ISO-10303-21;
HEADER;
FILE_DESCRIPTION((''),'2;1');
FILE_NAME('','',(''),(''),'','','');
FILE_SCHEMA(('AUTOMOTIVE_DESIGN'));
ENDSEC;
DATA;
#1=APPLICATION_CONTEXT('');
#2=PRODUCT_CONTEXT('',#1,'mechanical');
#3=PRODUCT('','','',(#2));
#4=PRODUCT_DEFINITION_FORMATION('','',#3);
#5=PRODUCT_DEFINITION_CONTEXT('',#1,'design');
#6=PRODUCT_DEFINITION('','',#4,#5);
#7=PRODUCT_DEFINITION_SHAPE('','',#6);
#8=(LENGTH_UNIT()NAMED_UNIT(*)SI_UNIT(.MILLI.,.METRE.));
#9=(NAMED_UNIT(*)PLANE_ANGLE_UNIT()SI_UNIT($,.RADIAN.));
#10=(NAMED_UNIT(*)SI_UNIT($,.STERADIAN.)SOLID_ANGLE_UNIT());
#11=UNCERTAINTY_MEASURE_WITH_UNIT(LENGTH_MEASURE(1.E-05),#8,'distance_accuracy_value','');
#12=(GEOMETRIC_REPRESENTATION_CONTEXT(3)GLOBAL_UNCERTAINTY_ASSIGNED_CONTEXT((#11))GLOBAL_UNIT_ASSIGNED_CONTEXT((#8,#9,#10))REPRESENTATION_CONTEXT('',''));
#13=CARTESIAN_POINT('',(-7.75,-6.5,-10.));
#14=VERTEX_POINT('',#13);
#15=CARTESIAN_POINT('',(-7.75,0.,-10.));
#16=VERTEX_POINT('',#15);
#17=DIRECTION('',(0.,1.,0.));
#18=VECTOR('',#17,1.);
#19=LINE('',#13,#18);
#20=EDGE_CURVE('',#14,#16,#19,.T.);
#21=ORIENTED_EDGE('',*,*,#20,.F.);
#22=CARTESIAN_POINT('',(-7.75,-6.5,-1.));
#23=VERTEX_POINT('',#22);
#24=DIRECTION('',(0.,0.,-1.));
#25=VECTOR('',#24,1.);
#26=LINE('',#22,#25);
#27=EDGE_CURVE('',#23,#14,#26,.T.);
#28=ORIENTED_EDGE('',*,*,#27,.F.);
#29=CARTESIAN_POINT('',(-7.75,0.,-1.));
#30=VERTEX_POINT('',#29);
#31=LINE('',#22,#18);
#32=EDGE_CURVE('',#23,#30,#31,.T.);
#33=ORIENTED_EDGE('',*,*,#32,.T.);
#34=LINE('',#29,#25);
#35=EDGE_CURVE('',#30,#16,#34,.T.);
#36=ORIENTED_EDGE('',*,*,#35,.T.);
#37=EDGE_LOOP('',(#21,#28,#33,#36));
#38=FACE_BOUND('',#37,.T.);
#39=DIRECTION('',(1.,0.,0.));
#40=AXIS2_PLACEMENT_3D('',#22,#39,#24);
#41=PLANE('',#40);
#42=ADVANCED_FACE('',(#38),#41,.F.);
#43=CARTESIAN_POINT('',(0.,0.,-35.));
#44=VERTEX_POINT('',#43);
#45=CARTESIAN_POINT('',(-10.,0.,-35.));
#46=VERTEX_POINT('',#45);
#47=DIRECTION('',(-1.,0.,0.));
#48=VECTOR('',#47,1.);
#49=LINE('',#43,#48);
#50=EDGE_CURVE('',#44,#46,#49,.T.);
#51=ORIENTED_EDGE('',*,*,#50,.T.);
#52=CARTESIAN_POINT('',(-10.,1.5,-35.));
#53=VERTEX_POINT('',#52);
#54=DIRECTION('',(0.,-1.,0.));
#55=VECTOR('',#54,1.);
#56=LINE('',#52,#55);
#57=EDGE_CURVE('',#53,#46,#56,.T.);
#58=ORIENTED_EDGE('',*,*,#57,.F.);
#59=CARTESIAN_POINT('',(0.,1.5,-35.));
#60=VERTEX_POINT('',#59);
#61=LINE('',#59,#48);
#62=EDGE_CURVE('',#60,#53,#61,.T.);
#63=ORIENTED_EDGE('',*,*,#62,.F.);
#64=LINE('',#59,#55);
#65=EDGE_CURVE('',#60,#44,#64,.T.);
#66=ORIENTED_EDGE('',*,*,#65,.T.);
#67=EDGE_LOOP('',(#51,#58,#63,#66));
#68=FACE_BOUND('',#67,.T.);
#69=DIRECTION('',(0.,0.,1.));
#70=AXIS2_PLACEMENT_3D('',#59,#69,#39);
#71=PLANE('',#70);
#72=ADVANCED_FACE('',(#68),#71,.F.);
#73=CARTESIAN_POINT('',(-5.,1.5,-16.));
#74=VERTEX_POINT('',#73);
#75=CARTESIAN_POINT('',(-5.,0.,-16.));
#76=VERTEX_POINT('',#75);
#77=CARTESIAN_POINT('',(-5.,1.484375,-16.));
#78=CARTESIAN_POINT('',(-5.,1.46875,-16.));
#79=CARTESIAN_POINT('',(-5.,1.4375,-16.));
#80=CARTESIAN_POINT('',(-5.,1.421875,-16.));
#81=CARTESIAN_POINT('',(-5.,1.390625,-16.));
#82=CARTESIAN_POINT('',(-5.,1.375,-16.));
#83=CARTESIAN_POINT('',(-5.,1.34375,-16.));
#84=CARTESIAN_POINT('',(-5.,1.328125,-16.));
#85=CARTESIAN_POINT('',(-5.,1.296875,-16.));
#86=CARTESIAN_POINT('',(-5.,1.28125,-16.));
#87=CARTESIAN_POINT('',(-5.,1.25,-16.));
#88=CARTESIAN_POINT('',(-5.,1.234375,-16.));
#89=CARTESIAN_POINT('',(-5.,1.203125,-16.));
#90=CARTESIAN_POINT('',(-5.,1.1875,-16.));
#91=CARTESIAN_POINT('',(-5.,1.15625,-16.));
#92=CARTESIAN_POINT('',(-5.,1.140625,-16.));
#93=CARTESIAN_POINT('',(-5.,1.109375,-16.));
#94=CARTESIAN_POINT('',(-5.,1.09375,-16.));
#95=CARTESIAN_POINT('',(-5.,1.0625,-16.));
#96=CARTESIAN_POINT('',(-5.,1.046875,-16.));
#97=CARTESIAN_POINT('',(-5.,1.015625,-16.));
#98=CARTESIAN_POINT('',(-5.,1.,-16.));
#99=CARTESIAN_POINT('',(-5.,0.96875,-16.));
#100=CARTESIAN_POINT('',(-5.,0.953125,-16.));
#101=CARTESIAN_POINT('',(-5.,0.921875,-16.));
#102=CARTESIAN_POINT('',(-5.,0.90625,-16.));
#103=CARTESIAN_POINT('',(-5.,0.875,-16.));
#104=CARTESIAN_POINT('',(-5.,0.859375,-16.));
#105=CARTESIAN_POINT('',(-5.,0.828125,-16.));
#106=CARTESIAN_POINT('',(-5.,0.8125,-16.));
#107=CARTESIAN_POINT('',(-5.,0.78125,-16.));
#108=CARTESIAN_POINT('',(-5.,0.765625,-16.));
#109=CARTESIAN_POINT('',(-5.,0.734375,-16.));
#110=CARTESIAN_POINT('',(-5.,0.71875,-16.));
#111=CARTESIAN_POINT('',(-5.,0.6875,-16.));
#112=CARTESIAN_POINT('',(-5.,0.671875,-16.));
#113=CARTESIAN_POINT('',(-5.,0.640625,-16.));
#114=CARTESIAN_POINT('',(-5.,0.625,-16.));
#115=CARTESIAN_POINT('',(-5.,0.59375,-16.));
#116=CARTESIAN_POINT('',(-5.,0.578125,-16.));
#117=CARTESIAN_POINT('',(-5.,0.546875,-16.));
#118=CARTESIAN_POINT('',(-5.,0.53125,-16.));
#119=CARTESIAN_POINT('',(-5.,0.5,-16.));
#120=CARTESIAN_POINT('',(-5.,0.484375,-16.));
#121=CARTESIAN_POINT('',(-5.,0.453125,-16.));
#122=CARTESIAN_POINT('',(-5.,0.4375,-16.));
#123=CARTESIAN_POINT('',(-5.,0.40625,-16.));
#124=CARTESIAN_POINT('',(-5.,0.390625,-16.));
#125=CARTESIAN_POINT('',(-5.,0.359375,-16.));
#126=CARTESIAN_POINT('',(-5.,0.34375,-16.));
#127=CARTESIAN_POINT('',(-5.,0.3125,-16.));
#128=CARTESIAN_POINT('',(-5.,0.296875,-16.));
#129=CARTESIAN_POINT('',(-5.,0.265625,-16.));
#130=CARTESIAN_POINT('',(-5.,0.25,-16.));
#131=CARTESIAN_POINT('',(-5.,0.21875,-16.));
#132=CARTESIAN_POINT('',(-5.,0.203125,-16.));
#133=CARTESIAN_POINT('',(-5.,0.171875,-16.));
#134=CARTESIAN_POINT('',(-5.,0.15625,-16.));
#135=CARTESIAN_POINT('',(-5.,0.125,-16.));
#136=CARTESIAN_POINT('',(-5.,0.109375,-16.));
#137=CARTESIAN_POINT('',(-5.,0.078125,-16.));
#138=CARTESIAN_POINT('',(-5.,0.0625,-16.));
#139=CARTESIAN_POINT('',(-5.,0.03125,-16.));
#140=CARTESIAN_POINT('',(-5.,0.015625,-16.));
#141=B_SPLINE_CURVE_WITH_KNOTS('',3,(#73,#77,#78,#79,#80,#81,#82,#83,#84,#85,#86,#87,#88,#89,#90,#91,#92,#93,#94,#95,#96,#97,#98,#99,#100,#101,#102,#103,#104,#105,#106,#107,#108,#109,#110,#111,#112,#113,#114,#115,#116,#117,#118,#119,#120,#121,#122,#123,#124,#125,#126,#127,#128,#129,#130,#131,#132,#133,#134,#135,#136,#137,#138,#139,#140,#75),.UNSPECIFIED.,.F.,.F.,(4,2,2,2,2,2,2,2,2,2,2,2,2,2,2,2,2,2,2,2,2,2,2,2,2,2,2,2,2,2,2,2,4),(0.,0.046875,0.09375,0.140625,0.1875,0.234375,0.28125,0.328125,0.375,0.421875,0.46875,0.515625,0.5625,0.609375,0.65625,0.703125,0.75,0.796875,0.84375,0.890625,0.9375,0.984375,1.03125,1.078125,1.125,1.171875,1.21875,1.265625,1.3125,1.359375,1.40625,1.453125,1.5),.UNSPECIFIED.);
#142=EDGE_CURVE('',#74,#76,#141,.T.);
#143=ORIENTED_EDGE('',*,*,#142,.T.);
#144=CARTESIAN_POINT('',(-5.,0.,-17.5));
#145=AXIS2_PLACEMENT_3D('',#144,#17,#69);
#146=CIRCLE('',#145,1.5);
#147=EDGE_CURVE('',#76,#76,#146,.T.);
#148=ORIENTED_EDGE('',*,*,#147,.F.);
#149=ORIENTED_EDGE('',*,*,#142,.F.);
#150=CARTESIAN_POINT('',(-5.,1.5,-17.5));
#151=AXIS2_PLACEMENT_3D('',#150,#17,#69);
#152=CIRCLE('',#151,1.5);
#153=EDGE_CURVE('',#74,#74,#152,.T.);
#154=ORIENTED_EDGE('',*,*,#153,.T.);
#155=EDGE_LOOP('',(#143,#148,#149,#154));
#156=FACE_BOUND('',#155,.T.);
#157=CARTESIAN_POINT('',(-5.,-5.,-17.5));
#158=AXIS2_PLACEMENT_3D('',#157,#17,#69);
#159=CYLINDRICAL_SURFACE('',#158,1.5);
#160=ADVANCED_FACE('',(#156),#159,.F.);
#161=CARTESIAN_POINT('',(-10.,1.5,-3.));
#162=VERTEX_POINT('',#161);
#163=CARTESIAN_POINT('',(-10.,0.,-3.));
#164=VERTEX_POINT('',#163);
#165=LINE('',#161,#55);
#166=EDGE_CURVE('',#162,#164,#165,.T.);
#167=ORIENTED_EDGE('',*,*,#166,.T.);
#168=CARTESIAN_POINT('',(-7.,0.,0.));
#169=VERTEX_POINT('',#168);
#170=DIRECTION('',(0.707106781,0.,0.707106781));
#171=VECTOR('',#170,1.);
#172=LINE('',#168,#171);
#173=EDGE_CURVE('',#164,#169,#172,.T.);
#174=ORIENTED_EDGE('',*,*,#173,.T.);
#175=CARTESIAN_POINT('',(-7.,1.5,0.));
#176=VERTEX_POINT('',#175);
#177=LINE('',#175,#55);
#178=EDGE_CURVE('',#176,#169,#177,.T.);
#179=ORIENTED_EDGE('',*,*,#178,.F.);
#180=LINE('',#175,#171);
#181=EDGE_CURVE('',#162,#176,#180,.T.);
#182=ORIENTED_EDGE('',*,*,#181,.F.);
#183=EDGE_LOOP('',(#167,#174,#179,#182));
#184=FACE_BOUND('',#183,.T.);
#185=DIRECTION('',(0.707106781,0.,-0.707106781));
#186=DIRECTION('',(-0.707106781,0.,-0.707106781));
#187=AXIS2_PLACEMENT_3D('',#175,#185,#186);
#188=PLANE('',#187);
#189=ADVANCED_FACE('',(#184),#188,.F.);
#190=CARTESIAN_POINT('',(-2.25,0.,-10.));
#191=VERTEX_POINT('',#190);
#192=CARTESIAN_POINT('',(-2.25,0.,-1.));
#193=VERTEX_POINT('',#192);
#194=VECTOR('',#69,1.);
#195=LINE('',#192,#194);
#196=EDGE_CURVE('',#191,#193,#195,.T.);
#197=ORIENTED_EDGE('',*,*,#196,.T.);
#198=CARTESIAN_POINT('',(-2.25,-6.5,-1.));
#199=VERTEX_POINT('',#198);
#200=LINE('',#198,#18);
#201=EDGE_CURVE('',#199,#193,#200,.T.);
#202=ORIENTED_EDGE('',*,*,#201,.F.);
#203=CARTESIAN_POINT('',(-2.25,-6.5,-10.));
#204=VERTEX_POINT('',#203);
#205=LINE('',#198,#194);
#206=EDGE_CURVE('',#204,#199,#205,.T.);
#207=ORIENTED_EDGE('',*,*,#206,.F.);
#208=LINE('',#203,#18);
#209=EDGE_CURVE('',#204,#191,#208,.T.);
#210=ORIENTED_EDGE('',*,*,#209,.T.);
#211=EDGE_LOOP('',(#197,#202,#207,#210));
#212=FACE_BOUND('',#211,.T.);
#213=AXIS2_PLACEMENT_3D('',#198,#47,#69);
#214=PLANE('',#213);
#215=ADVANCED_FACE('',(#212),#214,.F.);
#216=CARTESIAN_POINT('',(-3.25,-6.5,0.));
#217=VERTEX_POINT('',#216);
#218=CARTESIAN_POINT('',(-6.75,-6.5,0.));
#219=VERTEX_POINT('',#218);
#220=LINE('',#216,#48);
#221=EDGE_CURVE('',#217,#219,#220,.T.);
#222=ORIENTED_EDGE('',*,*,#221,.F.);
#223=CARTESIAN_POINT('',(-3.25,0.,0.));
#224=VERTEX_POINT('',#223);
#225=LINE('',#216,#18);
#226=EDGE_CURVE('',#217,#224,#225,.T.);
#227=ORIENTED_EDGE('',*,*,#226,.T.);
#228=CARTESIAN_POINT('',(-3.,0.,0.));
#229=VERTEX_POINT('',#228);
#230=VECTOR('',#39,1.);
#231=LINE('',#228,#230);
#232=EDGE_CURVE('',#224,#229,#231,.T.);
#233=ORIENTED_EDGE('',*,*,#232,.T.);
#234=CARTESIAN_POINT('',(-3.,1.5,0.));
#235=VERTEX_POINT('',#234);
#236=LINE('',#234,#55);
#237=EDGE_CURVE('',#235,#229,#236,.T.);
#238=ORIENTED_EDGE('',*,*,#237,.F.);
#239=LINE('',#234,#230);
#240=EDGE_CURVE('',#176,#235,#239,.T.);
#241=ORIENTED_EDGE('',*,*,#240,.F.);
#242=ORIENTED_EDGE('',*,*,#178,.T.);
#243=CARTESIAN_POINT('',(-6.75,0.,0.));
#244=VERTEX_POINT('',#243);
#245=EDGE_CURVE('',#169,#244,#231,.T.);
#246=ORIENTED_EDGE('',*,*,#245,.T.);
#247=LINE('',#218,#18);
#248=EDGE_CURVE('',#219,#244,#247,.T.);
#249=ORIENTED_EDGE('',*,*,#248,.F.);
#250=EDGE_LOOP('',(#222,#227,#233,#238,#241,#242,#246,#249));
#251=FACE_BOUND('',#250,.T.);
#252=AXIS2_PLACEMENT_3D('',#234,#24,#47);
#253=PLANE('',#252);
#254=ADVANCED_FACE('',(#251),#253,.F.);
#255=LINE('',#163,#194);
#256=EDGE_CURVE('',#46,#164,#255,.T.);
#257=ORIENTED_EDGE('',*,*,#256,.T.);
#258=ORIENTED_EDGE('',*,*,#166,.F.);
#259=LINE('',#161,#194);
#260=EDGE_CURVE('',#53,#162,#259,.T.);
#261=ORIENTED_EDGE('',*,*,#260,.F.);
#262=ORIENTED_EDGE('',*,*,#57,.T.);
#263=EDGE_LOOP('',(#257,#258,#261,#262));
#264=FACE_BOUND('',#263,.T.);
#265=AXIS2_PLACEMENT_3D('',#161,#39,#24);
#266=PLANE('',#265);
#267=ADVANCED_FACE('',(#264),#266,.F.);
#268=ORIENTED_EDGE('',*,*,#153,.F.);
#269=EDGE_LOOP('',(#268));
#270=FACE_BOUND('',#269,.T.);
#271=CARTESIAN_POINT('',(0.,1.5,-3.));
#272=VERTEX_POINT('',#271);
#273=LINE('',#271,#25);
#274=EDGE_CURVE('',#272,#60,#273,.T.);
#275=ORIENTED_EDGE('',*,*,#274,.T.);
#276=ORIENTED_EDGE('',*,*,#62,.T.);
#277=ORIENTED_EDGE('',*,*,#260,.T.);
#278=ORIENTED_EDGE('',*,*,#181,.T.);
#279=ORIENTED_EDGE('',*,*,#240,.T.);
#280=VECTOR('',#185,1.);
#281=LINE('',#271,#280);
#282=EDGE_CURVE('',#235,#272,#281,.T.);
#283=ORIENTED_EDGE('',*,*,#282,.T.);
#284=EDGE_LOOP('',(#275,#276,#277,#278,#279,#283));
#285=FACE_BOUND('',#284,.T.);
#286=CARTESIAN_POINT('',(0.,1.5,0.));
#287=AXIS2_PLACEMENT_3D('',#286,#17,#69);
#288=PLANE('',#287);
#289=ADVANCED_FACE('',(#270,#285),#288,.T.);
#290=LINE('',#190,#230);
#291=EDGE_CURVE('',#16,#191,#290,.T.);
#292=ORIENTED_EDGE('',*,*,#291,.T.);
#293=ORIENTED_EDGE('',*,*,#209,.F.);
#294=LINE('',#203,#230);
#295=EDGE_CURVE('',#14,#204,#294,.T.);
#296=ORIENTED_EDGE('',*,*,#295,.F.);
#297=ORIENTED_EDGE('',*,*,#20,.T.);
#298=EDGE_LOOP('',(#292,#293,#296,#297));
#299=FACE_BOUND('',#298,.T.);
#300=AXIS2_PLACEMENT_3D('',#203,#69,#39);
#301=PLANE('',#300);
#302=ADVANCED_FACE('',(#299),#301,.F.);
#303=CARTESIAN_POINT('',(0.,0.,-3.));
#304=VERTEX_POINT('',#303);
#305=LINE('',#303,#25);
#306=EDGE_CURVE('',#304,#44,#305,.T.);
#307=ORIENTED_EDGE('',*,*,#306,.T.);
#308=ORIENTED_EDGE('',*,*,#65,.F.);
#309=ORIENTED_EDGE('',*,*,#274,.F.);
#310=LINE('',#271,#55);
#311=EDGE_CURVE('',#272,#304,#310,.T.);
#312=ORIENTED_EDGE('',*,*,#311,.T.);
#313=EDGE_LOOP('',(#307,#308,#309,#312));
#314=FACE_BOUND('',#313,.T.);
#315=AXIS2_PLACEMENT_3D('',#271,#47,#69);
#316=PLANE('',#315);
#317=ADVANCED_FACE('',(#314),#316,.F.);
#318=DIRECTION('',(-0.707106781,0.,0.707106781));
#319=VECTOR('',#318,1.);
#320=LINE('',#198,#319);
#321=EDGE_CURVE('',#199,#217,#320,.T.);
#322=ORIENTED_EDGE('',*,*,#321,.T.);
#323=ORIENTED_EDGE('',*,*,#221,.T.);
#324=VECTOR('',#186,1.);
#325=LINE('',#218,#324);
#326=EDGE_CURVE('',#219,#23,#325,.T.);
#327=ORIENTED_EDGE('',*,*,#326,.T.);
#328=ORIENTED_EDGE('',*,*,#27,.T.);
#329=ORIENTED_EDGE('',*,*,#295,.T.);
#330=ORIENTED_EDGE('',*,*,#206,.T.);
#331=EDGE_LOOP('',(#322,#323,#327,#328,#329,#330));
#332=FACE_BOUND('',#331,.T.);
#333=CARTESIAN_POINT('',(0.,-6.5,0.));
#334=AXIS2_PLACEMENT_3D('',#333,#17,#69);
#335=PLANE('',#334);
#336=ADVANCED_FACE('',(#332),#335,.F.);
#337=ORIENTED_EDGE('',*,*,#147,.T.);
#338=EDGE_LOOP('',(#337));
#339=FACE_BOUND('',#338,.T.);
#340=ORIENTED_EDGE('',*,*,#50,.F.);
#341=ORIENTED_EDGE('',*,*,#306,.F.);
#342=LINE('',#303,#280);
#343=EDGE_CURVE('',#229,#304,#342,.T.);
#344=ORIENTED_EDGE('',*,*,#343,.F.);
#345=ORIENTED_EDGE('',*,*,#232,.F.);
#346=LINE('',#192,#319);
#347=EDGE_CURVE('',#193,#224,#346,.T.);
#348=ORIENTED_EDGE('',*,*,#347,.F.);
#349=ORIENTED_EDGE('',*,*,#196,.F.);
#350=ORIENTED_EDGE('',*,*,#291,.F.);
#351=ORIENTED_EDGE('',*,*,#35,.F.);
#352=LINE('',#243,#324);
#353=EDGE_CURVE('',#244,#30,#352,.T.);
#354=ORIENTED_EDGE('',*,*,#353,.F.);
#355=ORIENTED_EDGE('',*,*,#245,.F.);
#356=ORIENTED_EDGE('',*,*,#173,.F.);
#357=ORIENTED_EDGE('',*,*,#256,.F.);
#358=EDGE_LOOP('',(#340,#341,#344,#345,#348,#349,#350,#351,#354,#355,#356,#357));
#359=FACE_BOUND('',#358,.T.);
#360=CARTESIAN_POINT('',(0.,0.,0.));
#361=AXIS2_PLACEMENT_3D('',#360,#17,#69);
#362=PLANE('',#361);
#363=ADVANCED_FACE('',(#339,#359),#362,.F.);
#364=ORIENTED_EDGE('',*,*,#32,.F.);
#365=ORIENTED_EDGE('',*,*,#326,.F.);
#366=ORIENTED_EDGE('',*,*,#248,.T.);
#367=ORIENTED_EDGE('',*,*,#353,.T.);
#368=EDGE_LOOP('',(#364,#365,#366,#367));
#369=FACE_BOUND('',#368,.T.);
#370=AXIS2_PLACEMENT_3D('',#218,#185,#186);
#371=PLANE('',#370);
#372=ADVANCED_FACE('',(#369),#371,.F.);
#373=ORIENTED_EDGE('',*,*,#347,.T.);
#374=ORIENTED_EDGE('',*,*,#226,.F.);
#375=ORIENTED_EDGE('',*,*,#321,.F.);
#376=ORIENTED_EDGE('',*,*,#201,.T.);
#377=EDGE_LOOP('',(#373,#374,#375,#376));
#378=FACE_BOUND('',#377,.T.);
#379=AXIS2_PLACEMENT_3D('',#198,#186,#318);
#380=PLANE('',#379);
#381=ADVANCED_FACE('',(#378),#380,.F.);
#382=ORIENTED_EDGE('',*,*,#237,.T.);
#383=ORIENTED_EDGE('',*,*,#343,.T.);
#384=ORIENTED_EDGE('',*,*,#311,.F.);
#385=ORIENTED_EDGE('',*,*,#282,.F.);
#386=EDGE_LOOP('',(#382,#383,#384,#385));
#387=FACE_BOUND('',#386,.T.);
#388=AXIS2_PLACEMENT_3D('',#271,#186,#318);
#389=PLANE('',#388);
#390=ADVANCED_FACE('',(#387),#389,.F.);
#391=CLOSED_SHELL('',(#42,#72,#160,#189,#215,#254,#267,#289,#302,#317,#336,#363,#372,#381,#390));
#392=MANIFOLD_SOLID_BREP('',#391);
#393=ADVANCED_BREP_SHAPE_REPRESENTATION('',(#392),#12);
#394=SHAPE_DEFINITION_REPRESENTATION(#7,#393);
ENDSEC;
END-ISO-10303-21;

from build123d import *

# Parameters (mm, degrees)
BOSS_EXTRUDE1_DEPTH = 1.5
BOSS_EXTRUDE2_DEPTH = 6.5
SKETCH3_R           = 1.5
CUT_EXTRUDE1_DEPTH  = 6.5


with BuildPart() as part:
    # Sketch1 → Boss-Extrude1 (new body)
    with BuildSketch(Plane(origin=(0, 0, 0), x_dir=(1, 0, 0), z_dir=(0, 1, 0))):
        Polygon((-7, 0), (-10, 3), (-10, 35), (0, 35), (0, 3), (-3, 0), align=None)
    extrude(amount=BOSS_EXTRUDE1_DEPTH)

    # Sketch2 → Boss-Extrude2 (add)
    with BuildSketch(Plane.XZ):
        Polygon((-3.25, 0), (-6.75, 0), (-7.75, -1), (-7.75, -10), (-2.25, -10), (-2.25, -1), align=None)
    extrude(amount=BOSS_EXTRUDE2_DEPTH)

    # Sketch3 → Cut-Extrude1 (cut)
    with BuildSketch(Plane(origin=(0, 1.5, 0), x_dir=(1, 0, 0), z_dir=(0, 1, 0))):
        with Locations(Location((-5, 17.5, 0), (0, 0, 270))):
            Circle(SKETCH3_R)
    extrude(amount=-CUT_EXTRUDE1_DEPTH, mode=Mode.SUBTRACT)


solid = part.part
